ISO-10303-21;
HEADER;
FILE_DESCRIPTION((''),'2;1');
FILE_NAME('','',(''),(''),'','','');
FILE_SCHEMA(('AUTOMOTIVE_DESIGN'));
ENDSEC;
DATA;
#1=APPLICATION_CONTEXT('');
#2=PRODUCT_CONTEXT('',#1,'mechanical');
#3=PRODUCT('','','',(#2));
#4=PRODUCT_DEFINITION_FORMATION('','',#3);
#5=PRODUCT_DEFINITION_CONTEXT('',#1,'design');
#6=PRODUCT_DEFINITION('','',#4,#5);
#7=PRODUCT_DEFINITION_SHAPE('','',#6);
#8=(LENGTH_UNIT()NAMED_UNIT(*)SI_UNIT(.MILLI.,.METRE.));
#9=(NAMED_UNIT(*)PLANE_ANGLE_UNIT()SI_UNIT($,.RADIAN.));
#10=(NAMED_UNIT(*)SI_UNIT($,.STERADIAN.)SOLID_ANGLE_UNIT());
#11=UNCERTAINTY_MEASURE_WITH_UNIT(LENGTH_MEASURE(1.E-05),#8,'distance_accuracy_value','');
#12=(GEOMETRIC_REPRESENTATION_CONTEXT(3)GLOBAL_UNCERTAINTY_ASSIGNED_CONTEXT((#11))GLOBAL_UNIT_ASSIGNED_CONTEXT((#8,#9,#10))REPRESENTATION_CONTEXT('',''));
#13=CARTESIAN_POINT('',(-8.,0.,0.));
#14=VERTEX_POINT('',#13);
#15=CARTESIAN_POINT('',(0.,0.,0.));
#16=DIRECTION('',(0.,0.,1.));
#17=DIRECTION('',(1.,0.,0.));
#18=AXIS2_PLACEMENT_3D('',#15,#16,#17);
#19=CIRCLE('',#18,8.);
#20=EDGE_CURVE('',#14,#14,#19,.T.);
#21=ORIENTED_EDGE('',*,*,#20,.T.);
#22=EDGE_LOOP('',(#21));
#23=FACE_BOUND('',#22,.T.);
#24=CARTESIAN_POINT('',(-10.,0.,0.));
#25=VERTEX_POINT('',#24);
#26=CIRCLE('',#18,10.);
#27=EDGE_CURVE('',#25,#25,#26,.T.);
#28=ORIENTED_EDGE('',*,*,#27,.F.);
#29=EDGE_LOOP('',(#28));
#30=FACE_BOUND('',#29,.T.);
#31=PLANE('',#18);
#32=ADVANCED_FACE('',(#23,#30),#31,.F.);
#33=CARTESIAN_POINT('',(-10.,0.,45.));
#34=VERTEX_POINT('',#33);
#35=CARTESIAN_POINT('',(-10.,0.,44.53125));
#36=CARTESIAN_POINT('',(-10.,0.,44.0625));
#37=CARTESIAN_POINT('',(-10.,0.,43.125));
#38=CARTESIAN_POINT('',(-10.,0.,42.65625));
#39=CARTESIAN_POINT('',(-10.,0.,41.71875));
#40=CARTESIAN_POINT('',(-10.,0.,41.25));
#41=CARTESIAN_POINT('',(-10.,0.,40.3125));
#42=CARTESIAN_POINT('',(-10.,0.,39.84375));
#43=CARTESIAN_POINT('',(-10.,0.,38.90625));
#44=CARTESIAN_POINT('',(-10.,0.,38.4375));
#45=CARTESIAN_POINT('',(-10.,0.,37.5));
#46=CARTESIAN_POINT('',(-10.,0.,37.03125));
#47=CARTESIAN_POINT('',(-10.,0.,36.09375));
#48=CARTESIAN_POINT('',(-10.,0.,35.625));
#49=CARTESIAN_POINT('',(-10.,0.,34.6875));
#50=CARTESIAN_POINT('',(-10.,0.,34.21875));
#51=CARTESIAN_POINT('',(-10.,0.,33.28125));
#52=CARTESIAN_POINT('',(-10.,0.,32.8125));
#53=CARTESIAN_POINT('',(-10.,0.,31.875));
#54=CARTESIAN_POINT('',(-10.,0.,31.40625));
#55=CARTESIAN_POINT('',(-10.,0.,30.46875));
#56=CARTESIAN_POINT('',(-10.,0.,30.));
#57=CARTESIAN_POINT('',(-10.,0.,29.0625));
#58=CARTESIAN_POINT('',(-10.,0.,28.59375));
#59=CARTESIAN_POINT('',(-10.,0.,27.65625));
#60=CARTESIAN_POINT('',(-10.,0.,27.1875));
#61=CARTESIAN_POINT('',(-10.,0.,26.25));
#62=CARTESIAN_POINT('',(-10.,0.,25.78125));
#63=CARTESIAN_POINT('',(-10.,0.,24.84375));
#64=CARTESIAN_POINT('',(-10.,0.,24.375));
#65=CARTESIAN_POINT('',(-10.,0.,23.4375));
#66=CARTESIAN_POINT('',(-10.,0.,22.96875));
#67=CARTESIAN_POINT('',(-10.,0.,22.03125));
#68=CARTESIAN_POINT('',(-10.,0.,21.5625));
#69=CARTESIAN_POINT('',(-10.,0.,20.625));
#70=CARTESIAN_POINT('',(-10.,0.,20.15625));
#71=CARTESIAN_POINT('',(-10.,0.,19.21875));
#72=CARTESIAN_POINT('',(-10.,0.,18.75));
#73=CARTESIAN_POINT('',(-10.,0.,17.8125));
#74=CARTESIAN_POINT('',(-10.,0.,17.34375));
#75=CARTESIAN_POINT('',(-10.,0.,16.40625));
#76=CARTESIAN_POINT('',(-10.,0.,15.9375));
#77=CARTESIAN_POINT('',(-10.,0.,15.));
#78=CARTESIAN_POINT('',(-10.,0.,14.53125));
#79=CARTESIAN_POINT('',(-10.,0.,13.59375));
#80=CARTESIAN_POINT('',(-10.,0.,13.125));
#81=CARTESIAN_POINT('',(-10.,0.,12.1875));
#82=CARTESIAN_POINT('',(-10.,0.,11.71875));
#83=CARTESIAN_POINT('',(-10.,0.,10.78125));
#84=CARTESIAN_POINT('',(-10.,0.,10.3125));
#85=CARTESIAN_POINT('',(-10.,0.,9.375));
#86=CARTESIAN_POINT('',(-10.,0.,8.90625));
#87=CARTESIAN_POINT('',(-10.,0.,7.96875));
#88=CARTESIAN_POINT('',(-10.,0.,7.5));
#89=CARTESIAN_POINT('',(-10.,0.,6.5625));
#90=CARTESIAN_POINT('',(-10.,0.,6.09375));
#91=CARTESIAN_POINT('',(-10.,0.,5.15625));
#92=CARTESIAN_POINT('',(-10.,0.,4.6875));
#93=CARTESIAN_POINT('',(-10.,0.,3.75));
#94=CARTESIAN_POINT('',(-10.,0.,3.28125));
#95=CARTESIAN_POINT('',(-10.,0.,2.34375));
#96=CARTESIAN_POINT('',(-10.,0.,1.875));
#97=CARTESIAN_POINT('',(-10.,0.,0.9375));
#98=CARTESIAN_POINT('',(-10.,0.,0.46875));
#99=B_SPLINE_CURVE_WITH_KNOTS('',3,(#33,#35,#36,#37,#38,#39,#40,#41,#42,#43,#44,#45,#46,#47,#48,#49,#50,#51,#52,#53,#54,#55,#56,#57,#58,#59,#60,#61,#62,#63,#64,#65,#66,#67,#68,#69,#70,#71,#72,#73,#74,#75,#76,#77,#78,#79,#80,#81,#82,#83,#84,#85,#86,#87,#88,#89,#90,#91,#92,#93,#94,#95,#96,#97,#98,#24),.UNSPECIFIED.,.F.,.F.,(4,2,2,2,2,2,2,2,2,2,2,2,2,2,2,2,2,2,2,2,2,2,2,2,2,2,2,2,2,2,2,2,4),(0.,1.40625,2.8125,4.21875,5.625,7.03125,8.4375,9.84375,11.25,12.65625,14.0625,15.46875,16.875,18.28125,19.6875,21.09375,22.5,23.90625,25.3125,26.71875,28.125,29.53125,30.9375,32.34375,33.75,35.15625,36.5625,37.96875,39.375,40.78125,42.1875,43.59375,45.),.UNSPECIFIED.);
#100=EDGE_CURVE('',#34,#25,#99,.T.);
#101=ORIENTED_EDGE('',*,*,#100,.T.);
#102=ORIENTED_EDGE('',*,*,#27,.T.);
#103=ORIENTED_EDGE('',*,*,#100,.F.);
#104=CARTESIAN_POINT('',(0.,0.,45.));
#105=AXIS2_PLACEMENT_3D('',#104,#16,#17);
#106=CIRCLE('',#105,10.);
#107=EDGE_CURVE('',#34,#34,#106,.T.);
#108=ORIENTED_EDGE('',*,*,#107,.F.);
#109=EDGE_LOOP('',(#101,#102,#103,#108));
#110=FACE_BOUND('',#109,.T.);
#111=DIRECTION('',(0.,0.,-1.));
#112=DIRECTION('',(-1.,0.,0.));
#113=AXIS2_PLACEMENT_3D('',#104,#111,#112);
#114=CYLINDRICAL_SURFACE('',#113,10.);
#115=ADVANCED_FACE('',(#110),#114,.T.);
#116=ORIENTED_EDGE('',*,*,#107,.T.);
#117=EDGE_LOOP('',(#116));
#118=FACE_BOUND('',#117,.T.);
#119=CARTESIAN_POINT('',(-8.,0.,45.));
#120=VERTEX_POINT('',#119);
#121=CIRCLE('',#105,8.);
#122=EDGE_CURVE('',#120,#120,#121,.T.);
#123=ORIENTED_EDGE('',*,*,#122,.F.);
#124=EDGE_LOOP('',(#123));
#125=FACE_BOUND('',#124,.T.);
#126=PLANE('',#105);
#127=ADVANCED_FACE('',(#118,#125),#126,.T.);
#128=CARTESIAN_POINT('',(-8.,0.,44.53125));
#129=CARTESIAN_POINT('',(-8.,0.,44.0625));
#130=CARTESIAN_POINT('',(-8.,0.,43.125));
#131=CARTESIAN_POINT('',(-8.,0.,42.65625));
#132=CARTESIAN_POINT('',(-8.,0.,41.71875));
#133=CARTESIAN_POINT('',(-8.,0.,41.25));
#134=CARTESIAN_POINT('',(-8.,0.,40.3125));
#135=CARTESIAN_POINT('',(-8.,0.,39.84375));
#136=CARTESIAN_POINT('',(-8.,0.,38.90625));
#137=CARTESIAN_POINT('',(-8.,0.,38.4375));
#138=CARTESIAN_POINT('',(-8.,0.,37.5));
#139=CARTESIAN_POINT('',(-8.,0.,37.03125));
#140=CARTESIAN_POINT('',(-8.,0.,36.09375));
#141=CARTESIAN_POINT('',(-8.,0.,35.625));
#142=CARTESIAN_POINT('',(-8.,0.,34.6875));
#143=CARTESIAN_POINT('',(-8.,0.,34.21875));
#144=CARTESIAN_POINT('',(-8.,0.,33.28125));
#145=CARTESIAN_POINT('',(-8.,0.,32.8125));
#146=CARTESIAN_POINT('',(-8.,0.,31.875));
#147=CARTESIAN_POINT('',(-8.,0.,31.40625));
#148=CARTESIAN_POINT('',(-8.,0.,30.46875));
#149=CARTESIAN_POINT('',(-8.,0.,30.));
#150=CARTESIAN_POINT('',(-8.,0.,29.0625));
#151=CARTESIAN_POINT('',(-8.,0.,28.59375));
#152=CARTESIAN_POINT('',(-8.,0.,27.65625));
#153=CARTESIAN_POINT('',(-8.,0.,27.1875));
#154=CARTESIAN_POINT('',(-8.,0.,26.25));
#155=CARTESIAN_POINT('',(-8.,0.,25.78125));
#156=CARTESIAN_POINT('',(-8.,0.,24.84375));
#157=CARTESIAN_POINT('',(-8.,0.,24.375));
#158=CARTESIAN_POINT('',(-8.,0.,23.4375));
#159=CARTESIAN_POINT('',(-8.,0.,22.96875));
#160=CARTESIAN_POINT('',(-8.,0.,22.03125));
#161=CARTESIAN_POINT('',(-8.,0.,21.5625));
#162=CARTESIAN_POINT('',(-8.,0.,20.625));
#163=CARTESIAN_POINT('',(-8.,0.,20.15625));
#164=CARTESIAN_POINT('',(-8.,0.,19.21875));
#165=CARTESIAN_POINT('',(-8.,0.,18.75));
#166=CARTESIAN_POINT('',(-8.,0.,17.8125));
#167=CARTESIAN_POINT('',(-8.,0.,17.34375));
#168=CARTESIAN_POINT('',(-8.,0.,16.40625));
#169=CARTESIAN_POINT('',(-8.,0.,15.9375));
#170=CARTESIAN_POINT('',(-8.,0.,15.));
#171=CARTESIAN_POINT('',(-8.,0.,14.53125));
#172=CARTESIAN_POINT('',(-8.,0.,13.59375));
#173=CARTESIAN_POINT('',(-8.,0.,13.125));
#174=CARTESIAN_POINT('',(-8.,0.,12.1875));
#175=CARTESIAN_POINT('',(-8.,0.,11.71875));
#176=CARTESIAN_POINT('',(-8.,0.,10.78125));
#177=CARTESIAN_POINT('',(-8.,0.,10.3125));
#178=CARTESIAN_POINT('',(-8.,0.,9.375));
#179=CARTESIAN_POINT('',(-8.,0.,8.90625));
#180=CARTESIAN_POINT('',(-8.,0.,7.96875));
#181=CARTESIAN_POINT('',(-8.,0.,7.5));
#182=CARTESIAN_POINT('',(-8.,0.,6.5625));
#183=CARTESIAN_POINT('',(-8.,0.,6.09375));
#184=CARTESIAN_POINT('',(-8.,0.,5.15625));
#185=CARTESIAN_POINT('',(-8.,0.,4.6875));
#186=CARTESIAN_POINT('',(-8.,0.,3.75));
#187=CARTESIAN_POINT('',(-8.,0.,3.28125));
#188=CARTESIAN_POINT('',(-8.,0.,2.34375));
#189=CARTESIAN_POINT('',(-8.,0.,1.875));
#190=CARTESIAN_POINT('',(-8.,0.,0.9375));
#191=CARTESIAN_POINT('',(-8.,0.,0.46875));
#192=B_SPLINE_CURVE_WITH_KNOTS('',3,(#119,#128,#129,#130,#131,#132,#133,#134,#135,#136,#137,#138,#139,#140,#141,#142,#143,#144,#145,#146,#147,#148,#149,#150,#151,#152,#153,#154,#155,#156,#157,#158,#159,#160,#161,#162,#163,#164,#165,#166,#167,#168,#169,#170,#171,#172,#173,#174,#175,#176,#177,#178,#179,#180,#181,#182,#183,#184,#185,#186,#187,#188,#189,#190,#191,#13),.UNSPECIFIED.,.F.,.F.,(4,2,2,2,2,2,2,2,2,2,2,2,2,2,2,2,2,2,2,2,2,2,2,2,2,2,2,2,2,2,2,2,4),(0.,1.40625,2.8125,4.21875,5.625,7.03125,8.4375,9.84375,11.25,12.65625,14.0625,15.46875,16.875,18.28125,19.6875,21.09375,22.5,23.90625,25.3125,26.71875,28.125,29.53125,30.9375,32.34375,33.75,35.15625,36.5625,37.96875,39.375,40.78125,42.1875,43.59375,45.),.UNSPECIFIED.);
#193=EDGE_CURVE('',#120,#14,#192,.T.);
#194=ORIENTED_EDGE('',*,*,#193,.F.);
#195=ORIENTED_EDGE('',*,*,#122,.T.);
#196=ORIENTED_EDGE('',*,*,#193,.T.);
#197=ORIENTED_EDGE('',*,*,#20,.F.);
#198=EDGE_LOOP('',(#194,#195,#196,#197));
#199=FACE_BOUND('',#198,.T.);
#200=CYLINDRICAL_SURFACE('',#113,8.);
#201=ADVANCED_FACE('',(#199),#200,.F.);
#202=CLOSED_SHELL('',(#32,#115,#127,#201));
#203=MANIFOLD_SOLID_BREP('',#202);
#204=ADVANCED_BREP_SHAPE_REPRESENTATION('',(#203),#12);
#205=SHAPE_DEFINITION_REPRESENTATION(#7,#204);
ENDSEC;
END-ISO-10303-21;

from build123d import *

# Parameters (mm, degrees)
SKETCH1_R           = 10
SKETCH1_R_2         = 8
BOSS_EXTRUDE1_DEPTH = 45


with BuildPart() as part:
    # Sketch1 → Boss-Extrude1 (new body)
    with BuildSketch(Plane.XY):
        Circle(SKETCH1_R)
        Circle(SKETCH1_R_2, mode=Mode.SUBTRACT)
    extrude(amount=BOSS_EXTRUDE1_DEPTH)


solid = part.part
